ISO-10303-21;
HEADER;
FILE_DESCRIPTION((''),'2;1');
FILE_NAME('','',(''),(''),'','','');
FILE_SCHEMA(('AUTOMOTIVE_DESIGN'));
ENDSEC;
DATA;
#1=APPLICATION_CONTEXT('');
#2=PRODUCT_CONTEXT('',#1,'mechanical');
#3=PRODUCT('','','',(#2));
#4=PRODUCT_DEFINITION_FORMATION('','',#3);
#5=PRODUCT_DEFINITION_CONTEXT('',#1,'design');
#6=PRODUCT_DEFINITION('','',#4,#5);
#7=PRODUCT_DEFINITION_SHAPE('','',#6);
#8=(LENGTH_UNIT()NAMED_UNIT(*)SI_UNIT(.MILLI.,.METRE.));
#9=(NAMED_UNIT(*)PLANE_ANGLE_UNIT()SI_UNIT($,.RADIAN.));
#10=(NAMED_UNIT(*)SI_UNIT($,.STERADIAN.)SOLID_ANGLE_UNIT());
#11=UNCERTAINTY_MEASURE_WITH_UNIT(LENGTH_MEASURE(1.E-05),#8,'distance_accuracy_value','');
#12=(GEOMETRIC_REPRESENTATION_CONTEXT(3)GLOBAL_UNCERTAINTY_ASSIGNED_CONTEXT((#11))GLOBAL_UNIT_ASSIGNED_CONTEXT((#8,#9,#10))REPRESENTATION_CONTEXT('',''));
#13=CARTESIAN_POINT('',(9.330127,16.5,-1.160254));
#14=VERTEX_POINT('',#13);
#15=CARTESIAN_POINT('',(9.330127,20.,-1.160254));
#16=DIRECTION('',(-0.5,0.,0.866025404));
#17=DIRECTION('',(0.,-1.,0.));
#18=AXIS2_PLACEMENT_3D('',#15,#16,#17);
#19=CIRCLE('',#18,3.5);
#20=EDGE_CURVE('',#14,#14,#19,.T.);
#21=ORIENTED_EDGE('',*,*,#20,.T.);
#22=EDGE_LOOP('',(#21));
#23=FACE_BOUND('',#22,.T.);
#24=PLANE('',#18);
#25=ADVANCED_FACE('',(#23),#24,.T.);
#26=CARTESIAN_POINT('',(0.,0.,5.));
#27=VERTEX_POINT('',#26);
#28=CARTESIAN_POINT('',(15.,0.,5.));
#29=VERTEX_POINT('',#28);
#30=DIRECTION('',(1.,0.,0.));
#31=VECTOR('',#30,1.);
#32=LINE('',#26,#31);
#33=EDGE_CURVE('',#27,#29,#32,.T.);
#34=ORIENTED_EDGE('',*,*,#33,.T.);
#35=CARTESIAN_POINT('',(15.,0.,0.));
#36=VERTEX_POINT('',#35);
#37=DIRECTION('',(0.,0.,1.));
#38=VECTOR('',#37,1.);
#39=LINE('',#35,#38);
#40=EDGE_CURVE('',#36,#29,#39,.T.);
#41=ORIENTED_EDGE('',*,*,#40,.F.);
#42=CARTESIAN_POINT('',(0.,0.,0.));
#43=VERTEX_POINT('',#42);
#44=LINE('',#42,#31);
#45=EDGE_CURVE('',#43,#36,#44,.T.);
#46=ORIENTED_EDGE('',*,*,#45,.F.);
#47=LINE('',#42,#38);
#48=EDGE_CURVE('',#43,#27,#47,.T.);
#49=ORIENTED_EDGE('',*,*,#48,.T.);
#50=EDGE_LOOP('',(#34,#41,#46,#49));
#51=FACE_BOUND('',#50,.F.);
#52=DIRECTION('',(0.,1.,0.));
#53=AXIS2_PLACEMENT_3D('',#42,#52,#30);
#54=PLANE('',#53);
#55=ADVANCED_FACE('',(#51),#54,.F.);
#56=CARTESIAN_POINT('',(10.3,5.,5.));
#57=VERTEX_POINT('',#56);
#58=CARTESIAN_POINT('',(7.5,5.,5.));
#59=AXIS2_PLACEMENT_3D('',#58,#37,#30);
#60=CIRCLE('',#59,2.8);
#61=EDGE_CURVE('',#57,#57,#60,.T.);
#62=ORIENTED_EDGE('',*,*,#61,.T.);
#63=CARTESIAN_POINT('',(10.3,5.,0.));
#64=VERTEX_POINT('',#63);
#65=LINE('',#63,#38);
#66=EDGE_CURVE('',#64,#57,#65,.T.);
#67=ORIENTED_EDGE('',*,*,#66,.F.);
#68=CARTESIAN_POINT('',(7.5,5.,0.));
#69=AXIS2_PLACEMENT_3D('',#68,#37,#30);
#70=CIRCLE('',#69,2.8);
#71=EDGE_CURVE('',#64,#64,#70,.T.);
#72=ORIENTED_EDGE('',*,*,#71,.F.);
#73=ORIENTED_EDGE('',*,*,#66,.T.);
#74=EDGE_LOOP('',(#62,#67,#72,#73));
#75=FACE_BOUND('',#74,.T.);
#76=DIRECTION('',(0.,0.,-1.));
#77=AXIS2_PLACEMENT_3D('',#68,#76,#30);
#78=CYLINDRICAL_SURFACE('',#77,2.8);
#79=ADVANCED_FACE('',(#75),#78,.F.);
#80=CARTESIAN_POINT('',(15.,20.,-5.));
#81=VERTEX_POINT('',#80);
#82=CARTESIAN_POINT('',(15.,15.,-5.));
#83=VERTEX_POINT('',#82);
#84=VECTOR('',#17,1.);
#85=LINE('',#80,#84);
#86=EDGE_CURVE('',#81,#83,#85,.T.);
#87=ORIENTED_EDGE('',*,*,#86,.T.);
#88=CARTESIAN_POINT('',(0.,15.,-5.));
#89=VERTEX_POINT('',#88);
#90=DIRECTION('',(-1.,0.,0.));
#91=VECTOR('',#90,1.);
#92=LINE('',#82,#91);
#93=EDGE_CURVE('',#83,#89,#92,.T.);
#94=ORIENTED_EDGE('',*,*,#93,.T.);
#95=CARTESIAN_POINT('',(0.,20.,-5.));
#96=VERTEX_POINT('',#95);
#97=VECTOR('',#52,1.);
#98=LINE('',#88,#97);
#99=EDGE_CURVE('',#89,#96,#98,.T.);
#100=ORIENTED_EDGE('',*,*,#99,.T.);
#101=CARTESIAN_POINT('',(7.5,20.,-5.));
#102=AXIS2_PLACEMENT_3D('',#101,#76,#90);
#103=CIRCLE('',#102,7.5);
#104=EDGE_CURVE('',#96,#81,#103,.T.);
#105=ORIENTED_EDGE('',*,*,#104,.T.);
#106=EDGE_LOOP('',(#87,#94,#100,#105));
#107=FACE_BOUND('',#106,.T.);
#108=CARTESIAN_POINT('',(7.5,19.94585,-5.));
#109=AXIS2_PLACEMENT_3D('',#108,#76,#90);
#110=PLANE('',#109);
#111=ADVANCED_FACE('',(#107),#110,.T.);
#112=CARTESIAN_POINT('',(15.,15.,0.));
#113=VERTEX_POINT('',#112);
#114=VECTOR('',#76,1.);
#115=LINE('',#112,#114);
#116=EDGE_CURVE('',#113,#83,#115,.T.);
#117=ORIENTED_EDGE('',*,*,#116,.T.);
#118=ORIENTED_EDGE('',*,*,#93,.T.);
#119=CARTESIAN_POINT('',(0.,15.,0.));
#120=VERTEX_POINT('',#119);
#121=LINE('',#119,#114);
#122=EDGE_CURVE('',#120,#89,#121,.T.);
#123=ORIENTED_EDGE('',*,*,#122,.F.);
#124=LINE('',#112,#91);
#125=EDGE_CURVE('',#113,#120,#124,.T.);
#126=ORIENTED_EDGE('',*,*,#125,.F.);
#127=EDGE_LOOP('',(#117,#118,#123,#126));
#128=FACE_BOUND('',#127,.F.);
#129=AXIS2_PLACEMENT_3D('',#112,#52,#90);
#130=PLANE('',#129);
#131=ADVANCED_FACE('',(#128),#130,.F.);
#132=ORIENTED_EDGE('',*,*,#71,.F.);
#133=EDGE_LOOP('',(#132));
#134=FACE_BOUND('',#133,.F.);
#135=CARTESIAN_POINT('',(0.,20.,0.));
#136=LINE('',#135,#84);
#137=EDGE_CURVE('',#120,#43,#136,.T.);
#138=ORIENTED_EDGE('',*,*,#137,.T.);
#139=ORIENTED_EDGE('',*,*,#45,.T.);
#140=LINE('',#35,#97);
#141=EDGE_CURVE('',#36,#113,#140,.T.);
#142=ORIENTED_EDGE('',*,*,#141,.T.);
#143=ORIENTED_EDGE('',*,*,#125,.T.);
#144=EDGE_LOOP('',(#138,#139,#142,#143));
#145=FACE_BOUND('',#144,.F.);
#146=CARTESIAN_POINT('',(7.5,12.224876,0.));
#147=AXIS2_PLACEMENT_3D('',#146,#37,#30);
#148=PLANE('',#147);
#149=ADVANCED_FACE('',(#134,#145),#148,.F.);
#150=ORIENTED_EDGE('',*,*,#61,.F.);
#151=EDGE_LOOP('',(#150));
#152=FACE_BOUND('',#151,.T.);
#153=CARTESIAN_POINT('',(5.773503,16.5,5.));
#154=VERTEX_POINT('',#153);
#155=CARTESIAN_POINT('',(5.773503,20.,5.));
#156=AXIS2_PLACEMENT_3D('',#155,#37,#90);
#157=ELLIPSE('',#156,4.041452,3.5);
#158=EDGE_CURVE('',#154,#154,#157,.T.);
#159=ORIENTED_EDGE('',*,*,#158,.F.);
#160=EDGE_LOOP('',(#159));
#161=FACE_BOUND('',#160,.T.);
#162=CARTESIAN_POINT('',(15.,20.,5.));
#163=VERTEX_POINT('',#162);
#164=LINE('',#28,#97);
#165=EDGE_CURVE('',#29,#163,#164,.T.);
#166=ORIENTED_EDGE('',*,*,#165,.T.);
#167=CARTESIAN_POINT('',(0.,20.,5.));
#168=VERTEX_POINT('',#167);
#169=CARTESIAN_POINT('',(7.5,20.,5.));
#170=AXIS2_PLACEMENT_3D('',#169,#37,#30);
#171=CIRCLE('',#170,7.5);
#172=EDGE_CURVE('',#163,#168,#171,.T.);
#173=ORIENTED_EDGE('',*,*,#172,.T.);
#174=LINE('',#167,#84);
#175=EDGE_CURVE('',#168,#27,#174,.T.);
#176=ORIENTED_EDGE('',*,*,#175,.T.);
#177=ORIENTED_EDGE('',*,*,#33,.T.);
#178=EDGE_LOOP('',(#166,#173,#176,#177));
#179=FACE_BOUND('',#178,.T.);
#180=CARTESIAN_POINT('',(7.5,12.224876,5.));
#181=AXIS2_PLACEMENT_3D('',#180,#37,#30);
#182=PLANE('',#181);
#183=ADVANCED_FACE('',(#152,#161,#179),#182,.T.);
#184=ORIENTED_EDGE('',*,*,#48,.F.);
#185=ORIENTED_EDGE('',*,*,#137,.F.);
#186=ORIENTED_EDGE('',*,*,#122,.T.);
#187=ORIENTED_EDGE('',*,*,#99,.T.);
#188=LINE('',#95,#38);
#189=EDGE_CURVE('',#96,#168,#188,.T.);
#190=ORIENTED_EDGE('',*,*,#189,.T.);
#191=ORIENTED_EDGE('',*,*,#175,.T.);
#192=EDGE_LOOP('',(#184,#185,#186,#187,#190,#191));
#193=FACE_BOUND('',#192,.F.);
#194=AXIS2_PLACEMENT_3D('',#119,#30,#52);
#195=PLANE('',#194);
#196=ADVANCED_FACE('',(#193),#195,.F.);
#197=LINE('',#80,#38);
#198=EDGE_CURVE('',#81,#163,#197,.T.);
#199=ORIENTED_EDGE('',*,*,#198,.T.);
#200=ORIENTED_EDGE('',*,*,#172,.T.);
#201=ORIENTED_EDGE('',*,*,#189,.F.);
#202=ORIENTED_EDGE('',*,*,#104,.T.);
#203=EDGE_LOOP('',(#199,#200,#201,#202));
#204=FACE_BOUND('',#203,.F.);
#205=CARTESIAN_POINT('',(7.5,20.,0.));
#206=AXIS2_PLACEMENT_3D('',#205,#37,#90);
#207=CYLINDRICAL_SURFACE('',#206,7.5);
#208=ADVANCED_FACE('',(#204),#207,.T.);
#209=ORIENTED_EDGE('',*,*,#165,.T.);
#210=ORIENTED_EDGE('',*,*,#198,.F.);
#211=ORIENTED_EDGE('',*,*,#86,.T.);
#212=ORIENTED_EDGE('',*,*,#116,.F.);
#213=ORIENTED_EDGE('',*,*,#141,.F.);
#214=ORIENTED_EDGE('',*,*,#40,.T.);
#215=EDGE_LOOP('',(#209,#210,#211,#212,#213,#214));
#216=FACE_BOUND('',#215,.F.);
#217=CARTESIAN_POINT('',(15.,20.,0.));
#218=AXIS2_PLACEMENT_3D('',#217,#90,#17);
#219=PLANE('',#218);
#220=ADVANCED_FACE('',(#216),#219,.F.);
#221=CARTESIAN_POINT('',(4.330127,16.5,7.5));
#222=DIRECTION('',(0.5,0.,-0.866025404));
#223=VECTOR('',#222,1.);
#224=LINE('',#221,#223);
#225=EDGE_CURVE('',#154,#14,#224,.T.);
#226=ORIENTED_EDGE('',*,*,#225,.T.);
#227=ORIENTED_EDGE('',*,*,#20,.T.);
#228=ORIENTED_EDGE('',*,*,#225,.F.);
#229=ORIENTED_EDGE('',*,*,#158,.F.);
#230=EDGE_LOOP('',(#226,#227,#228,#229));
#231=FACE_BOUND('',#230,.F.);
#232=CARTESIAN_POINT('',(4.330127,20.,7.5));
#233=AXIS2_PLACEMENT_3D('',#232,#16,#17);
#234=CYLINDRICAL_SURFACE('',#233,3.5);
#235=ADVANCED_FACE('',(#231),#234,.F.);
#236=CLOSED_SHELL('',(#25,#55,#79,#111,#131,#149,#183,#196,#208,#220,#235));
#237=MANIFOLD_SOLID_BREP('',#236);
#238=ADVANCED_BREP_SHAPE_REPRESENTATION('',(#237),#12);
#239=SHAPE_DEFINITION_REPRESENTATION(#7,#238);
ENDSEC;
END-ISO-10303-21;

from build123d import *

# Parameters (mm, degrees)
SKETCH2_R           = 2.8
BOSS_EXTRUDE1_DEPTH = 5
BOSS_EXTRUDE2_DEPTH = 5
SKETCH4_R           = 3.5
CUT_EXTRUDE1_DEPTH  = 10


with BuildPart() as part:
    # Sketch2 → Boss-Extrude1 (new body)
    with BuildSketch(Plane.XY):
        with BuildLine():
            Line((0, 0), (15, 0))
            Line((15, 0), (15, 20))
            ThreePointArc((15, 20), (7.5, 27.5), (0, 20))
            Line((0, 20), (0, 0))
        make_face()
        with Locations((7.5, 5)):
            Circle(SKETCH2_R, mode=Mode.SUBTRACT)
    extrude(amount=BOSS_EXTRUDE1_DEPTH)

    # Sketch3 → Boss-Extrude2 (add)
    with BuildSketch(Plane(origin=(0, 0, 0), x_dir=(-1, 0, 0), z_dir=(0, 0, -1))):
        with BuildLine():
            Line((-15, 20), (-15, 15))
            Line((-15, 15), (0, 15))
            Line((0, 15), (0, 20))
            ThreePointArc((0, 20), (-7.5, 27.5), (-15, 20))
        make_face()
    extrude(amount=BOSS_EXTRUDE2_DEPTH)

    # Sketch4 → Cut-Extrude1 (cut)
    with BuildSketch(Plane(origin=(-2.165063509, 0, 3.75), x_dir=(0, -1, 0), z_dir=(-0.5, 0, 0.866025404))):
        with Locations((-20, 7.5)):
            Circle(SKETCH4_R)
    extrude(amount=-CUT_EXTRUDE1_DEPTH, mode=Mode.SUBTRACT)


solid = part.part
